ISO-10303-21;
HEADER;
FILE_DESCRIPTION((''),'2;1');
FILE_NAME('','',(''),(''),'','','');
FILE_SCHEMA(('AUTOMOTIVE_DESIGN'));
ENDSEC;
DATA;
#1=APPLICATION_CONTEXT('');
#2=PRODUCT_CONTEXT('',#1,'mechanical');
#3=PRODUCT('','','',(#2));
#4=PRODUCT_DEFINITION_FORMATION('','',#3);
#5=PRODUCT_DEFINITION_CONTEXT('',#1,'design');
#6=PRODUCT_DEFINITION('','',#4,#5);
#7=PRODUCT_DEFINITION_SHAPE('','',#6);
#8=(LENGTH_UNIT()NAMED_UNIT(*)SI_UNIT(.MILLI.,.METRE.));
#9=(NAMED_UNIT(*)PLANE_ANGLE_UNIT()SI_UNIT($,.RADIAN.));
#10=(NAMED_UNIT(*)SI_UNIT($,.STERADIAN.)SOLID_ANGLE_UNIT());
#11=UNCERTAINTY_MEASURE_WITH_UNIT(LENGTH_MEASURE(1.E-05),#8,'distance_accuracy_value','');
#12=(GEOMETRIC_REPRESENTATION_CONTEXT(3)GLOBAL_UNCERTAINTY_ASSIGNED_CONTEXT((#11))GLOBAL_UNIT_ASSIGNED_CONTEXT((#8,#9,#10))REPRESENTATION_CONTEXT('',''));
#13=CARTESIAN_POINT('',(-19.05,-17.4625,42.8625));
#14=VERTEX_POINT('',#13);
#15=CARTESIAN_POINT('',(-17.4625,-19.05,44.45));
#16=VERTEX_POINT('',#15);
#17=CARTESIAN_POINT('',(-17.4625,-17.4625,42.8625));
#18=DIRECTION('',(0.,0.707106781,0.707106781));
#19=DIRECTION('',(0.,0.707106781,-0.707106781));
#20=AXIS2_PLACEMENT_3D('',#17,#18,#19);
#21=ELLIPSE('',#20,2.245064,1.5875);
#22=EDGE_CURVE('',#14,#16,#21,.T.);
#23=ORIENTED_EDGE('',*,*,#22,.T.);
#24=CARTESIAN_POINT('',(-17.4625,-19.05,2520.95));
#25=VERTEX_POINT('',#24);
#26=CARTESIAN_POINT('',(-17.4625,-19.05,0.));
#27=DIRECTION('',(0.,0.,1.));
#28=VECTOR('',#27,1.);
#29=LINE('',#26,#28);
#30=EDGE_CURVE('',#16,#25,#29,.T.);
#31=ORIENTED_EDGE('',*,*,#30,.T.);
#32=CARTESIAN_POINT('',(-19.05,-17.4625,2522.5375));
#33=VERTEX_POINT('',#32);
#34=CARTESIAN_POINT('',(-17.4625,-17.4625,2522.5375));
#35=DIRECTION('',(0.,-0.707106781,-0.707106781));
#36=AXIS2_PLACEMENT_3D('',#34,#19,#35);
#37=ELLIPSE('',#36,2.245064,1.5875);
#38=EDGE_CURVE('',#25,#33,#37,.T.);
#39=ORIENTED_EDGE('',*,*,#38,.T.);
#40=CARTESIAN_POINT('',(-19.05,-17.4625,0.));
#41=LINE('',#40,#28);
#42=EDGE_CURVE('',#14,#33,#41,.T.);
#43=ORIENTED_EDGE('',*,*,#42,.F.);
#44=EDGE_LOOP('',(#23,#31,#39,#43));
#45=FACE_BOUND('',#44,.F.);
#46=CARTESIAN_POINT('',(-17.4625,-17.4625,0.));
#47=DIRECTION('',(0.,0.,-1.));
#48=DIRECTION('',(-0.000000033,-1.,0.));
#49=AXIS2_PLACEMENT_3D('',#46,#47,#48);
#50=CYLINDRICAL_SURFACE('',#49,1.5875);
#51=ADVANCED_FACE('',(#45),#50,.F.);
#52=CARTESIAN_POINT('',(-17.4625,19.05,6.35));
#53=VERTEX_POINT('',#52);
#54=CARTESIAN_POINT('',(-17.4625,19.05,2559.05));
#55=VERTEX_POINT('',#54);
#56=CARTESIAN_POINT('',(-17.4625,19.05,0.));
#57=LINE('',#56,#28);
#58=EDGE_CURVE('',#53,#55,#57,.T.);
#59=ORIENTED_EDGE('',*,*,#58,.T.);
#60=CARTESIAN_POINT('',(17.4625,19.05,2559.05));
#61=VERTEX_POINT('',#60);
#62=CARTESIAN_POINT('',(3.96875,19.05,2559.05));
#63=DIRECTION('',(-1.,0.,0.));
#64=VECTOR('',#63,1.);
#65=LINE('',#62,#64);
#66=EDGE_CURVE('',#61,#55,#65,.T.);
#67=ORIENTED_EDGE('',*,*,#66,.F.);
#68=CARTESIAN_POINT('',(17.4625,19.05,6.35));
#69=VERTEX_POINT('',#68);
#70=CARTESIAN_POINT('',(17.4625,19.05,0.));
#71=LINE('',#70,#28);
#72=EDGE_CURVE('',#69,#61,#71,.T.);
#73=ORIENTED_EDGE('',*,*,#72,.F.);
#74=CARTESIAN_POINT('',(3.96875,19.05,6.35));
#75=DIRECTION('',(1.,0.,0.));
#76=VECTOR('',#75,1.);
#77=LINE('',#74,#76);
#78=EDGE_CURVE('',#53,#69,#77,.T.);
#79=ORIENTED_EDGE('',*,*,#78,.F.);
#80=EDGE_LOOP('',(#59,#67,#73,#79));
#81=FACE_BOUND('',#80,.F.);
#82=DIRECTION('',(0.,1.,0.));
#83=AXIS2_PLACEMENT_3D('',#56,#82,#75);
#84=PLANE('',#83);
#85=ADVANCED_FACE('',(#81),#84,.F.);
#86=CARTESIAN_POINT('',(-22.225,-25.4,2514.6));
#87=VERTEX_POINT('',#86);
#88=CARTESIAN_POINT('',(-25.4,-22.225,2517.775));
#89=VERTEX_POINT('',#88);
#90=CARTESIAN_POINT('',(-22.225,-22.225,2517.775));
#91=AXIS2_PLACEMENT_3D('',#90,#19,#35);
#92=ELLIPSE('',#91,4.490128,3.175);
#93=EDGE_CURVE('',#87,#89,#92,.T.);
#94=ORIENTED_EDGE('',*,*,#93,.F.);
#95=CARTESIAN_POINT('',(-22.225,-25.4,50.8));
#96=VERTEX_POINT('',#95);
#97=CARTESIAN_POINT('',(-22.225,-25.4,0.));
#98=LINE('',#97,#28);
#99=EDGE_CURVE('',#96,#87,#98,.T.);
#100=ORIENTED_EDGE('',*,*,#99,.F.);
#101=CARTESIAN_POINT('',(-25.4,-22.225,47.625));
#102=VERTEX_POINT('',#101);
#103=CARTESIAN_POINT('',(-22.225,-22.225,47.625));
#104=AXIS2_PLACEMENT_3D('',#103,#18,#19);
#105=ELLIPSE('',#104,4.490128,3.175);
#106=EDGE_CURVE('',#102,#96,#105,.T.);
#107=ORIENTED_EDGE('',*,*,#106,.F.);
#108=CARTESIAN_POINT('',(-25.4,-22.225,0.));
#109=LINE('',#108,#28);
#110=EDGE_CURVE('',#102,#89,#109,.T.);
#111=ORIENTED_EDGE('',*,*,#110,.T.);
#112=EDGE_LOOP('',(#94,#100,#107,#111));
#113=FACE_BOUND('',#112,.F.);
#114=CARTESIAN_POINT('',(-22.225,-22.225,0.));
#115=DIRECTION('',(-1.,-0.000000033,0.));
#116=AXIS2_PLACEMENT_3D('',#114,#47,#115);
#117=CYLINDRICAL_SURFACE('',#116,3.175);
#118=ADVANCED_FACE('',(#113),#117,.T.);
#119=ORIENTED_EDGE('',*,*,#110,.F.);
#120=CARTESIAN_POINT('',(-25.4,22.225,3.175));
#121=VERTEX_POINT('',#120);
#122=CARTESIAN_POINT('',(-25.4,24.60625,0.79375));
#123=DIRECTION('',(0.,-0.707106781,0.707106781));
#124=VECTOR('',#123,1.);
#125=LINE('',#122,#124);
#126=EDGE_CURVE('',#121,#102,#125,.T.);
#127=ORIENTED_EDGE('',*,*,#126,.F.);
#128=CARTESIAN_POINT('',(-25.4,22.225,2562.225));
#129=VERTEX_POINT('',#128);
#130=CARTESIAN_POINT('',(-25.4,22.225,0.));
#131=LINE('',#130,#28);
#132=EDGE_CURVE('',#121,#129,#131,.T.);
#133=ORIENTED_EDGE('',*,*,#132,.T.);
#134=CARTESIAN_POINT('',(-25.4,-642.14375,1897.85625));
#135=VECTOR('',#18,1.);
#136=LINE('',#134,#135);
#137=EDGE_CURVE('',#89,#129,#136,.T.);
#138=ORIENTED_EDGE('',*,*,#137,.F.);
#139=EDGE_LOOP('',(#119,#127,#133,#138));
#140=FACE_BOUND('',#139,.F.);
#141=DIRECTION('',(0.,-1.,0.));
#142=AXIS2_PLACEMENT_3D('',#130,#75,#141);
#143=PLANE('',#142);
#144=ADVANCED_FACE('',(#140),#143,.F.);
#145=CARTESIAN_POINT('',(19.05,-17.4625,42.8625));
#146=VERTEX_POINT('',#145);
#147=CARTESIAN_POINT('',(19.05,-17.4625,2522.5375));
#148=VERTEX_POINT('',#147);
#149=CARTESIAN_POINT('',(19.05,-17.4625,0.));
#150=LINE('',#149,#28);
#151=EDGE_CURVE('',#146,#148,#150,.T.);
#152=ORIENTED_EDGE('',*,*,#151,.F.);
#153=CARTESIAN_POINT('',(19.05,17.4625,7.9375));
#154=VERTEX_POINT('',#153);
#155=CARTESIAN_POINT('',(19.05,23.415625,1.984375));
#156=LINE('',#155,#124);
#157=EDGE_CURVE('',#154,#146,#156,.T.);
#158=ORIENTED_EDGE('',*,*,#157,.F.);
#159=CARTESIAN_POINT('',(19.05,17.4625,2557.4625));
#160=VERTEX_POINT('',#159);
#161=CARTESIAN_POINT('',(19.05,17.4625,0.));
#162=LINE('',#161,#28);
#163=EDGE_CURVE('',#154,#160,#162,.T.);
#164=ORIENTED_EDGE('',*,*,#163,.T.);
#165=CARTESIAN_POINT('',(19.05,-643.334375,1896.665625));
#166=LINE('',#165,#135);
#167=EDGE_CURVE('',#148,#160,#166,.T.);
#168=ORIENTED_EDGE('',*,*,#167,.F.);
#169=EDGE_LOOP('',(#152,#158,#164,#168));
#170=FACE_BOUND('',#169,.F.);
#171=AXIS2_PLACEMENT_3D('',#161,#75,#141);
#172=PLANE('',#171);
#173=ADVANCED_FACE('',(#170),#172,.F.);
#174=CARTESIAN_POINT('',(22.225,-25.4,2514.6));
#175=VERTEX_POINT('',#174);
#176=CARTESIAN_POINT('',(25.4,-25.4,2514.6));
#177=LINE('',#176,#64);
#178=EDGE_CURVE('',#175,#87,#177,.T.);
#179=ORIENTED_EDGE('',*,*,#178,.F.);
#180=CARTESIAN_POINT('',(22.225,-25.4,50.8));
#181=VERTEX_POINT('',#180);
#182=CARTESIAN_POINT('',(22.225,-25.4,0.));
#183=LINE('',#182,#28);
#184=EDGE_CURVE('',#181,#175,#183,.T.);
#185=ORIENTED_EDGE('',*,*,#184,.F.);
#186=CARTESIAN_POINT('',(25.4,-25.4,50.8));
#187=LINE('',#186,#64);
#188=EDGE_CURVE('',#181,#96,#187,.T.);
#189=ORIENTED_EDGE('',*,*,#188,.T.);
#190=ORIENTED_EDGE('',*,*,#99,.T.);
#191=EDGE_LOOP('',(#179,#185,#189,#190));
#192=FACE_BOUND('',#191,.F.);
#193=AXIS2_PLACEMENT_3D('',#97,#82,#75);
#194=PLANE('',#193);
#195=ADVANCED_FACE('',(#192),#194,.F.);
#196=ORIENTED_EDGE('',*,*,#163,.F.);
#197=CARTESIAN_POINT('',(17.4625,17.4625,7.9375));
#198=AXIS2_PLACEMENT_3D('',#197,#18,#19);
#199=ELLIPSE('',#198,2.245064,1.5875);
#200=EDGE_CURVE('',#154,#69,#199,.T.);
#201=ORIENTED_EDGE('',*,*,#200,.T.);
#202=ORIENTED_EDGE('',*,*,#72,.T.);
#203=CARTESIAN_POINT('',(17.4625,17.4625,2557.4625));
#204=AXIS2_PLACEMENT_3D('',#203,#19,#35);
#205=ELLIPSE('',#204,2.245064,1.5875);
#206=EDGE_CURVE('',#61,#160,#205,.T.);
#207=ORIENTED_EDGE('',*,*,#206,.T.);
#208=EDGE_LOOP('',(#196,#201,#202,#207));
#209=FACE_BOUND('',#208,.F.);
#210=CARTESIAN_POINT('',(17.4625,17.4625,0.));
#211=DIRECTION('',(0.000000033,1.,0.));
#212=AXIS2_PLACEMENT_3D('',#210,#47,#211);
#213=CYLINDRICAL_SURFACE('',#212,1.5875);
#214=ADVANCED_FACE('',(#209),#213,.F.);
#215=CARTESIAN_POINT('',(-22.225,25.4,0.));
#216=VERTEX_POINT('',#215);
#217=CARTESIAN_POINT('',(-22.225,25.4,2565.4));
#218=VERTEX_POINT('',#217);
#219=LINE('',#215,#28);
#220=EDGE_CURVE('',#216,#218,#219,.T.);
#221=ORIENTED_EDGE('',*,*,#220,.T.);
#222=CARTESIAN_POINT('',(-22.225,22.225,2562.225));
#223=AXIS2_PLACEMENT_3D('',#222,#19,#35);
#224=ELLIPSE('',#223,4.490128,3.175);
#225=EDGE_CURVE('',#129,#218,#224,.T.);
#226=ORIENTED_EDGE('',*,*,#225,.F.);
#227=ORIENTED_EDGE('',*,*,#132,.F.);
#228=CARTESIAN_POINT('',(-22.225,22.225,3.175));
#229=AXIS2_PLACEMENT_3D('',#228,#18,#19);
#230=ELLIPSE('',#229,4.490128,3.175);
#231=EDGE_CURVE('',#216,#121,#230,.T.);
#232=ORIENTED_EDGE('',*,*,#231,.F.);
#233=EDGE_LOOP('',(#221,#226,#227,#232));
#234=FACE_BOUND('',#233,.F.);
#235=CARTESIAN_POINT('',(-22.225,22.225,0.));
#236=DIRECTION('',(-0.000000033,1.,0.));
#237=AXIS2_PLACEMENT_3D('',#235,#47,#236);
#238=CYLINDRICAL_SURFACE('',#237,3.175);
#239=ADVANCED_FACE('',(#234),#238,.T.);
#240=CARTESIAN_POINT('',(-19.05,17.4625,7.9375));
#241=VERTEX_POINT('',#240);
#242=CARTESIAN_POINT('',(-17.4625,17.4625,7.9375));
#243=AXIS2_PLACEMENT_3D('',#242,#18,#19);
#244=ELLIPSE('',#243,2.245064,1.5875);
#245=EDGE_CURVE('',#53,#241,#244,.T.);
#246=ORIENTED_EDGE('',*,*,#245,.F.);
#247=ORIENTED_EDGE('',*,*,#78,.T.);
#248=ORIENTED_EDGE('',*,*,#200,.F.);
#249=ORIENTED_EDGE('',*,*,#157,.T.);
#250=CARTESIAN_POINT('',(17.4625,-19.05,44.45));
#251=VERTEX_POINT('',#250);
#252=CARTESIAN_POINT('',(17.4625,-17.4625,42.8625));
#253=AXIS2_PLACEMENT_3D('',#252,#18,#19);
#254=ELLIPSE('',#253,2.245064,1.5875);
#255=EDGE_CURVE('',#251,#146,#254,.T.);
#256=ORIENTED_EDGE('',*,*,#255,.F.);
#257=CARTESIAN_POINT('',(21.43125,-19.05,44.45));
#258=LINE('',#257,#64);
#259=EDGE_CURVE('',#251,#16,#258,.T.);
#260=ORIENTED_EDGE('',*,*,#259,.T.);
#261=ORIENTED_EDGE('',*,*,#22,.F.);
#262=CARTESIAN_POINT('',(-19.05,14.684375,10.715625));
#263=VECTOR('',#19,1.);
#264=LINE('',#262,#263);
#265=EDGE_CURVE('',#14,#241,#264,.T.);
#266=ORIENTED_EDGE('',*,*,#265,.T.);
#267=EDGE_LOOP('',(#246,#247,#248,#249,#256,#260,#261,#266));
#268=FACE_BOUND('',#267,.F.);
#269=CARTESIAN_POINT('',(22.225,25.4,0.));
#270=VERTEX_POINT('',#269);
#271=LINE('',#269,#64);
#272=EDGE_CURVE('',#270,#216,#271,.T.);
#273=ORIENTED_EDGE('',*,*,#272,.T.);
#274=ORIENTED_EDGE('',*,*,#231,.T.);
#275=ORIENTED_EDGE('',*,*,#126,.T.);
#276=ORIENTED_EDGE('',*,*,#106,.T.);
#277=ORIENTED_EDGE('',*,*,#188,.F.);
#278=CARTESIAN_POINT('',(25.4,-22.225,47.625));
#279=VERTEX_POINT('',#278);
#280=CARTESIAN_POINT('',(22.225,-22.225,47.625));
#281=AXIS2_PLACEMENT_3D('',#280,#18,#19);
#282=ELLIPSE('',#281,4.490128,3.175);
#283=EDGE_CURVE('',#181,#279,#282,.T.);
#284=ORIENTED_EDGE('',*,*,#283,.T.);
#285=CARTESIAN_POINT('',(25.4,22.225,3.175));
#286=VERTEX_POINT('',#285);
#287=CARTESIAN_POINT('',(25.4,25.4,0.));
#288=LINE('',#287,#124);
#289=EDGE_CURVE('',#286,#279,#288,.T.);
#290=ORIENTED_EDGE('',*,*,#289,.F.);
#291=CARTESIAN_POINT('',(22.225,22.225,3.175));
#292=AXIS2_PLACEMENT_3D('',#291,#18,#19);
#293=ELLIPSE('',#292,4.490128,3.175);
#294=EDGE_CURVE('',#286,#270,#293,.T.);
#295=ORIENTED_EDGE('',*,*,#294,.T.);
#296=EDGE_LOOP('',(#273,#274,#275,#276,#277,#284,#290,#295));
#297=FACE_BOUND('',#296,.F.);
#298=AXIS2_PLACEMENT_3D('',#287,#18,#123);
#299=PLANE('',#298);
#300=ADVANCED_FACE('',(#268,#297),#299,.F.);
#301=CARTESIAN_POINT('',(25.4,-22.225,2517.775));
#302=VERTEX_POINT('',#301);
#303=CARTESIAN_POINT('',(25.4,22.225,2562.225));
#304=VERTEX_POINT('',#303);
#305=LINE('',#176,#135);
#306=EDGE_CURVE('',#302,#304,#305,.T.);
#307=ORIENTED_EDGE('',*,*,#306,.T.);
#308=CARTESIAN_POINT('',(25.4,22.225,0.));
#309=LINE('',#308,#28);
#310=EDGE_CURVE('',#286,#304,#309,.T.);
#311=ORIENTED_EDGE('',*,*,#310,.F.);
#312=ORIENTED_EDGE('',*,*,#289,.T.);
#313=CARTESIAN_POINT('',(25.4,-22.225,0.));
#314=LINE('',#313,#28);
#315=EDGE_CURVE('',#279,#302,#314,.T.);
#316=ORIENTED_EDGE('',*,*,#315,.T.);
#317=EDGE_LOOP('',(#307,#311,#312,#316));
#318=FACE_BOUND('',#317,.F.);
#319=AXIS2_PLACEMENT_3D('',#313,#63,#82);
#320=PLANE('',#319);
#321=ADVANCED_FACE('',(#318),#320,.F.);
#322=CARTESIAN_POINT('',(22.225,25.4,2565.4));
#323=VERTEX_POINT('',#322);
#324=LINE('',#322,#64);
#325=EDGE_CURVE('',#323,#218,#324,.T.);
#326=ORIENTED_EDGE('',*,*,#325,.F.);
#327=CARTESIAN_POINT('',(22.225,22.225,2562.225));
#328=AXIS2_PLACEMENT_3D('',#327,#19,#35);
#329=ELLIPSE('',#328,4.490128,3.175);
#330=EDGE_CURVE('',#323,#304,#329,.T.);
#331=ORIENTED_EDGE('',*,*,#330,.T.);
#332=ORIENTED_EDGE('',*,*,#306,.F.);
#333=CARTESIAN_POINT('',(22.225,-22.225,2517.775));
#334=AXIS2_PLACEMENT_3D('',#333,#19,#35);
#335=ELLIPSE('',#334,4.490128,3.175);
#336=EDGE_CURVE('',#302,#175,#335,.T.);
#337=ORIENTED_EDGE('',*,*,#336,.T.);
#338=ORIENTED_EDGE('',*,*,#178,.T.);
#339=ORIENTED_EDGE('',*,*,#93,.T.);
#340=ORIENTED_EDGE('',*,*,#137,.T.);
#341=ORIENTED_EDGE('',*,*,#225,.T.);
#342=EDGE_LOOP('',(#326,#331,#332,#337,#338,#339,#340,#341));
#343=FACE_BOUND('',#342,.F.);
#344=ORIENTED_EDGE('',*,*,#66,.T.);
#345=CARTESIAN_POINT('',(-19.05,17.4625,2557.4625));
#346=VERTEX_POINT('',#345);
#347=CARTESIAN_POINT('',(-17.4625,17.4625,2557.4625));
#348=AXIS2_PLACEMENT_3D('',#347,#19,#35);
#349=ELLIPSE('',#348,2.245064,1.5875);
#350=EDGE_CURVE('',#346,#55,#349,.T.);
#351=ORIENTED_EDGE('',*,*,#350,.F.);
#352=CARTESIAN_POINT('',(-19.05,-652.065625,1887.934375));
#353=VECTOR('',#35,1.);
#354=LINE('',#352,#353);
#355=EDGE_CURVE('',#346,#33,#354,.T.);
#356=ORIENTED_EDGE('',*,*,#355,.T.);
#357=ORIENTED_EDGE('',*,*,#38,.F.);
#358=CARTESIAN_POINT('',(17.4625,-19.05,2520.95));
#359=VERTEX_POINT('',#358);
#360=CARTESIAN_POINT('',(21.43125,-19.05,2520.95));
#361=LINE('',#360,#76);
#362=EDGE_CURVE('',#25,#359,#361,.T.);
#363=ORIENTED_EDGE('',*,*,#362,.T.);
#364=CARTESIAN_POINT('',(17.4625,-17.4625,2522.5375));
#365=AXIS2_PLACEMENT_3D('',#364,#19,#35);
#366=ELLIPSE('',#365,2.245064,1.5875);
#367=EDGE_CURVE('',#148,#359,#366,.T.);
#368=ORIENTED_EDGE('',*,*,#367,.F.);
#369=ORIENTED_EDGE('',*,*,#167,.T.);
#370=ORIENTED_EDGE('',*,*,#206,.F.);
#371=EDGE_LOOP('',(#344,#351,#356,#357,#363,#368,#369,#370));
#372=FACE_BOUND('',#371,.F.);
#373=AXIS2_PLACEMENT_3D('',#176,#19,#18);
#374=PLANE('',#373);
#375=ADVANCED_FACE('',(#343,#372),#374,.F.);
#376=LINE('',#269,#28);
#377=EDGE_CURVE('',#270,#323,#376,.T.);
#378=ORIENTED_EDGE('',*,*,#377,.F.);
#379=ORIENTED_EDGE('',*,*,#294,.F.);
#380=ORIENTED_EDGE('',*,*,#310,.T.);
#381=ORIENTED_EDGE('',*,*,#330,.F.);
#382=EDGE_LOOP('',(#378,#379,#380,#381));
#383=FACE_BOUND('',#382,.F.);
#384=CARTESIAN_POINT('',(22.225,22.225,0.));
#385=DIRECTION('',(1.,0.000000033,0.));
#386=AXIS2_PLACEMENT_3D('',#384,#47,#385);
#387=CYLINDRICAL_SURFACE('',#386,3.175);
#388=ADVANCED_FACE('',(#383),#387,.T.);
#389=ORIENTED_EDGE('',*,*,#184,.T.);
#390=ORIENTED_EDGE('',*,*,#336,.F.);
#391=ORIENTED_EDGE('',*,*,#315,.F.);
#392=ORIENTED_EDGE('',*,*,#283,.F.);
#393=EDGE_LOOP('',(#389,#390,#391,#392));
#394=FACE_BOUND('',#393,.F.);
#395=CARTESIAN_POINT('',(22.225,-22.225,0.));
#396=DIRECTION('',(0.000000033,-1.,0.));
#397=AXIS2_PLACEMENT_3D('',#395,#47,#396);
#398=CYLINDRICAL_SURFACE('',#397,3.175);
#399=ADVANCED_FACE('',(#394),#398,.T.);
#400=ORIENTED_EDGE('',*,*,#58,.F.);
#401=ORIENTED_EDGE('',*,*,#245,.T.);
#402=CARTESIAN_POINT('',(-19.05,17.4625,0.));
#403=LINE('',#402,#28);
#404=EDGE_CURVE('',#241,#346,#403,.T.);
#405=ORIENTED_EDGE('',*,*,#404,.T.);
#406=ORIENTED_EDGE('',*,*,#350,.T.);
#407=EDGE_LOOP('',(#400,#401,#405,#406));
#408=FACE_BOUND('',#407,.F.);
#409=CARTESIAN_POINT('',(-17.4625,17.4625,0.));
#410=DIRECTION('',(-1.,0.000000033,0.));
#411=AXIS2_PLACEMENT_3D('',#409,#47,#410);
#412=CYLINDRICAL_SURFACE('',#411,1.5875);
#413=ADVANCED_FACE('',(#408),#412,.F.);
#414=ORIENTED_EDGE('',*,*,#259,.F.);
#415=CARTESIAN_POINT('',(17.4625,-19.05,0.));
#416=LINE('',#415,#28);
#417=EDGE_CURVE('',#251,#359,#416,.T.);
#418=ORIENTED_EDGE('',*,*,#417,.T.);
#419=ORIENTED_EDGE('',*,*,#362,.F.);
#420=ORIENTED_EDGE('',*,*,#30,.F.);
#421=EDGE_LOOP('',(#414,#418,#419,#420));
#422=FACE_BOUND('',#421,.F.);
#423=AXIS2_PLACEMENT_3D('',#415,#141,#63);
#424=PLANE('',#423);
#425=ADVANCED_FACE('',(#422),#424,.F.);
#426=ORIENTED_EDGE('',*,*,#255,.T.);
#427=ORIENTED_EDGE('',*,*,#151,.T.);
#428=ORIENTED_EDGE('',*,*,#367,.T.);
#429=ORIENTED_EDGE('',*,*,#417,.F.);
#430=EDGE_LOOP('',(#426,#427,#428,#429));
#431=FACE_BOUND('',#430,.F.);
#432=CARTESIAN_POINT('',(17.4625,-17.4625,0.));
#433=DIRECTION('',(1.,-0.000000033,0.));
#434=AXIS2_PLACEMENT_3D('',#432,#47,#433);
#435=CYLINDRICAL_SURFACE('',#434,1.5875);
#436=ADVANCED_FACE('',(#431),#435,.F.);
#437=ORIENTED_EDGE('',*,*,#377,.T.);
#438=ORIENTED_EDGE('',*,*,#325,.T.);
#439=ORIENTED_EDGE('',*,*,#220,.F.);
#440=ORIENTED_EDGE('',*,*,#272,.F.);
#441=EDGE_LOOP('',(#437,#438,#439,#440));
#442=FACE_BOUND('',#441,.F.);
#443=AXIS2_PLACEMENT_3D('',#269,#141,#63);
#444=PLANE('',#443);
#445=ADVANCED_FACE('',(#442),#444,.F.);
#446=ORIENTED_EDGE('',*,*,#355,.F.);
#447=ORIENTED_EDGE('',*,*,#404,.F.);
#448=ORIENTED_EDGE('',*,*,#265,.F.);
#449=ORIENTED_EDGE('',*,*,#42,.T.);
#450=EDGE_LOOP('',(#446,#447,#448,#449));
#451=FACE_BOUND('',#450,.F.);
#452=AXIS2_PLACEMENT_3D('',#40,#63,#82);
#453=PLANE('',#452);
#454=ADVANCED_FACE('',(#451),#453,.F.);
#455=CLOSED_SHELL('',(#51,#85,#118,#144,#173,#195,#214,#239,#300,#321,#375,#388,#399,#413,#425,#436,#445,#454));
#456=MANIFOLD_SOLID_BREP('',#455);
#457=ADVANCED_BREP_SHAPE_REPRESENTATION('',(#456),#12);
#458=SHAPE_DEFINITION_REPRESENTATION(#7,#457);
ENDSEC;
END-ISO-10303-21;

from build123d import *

# Parameters (mm, degrees)
F1_DEPTH = 2565.4
F3_DEPTH = 50.801


with BuildPart() as f1:
    # F0 (on Top) → F1 (new body)
    with BuildSketch(Plane.XY):
        with BuildLine():
            Line((22.225, 25.4), (-22.225, 25.4))
            ThreePointArc((-22.225, 25.4), (-24.470064, 24.470064), (-25.4, 22.225))
            Line((-25.4, 22.225), (-25.4, -22.225))
            ThreePointArc((-25.4, -22.225), (-24.470064, -24.470064), (-22.225, -25.4))
            Line((-22.225, -25.4), (22.225, -25.4))
            ThreePointArc((22.225, -25.4), (24.470064, -24.470064), (25.4, -22.225))
            Line((25.4, -22.225), (25.4, 22.225))
            ThreePointArc((25.4, 22.225), (24.470064, 24.470064), (22.225, 25.4))
        make_face()
        with BuildLine():
            ThreePointArc((-19.05, 17.4625), (-18.585032, 18.585032), (-17.4625, 19.05))
            Line((-17.4625, 19.05), (17.4625, 19.05))
            ThreePointArc((17.4625, 19.05), (18.585032, 18.585032), (19.05, 17.4625))
            Line((19.05, 17.4625), (19.05, -17.4625))
            ThreePointArc((19.05, -17.4625), (18.585032, -18.585032), (17.4625, -19.05))
            Line((17.4625, -19.05), (-17.4625, -19.05))
            ThreePointArc((-17.4625, -19.05), (-18.585032, -18.585032), (-19.05, -17.4625))
            Line((-19.05, -17.4625), (-19.05, 17.4625))
        make_face(mode=Mode.SUBTRACT)
    extrude(amount=F1_DEPTH)

    # F2 (on face) → F3 (cut, through all)
    with BuildSketch(Plane.YZ.offset(25.4)):
        Polygon((-25.4, 2514.6), (25.4, 2565.4), (-25.4, 2565.4), align=None)
        Polygon((-25.4, 0), (25.4, 0), (-25.4, 50.8), align=None)
    extrude(amount=-F3_DEPTH, mode=Mode.SUBTRACT)


solid = f1.part
